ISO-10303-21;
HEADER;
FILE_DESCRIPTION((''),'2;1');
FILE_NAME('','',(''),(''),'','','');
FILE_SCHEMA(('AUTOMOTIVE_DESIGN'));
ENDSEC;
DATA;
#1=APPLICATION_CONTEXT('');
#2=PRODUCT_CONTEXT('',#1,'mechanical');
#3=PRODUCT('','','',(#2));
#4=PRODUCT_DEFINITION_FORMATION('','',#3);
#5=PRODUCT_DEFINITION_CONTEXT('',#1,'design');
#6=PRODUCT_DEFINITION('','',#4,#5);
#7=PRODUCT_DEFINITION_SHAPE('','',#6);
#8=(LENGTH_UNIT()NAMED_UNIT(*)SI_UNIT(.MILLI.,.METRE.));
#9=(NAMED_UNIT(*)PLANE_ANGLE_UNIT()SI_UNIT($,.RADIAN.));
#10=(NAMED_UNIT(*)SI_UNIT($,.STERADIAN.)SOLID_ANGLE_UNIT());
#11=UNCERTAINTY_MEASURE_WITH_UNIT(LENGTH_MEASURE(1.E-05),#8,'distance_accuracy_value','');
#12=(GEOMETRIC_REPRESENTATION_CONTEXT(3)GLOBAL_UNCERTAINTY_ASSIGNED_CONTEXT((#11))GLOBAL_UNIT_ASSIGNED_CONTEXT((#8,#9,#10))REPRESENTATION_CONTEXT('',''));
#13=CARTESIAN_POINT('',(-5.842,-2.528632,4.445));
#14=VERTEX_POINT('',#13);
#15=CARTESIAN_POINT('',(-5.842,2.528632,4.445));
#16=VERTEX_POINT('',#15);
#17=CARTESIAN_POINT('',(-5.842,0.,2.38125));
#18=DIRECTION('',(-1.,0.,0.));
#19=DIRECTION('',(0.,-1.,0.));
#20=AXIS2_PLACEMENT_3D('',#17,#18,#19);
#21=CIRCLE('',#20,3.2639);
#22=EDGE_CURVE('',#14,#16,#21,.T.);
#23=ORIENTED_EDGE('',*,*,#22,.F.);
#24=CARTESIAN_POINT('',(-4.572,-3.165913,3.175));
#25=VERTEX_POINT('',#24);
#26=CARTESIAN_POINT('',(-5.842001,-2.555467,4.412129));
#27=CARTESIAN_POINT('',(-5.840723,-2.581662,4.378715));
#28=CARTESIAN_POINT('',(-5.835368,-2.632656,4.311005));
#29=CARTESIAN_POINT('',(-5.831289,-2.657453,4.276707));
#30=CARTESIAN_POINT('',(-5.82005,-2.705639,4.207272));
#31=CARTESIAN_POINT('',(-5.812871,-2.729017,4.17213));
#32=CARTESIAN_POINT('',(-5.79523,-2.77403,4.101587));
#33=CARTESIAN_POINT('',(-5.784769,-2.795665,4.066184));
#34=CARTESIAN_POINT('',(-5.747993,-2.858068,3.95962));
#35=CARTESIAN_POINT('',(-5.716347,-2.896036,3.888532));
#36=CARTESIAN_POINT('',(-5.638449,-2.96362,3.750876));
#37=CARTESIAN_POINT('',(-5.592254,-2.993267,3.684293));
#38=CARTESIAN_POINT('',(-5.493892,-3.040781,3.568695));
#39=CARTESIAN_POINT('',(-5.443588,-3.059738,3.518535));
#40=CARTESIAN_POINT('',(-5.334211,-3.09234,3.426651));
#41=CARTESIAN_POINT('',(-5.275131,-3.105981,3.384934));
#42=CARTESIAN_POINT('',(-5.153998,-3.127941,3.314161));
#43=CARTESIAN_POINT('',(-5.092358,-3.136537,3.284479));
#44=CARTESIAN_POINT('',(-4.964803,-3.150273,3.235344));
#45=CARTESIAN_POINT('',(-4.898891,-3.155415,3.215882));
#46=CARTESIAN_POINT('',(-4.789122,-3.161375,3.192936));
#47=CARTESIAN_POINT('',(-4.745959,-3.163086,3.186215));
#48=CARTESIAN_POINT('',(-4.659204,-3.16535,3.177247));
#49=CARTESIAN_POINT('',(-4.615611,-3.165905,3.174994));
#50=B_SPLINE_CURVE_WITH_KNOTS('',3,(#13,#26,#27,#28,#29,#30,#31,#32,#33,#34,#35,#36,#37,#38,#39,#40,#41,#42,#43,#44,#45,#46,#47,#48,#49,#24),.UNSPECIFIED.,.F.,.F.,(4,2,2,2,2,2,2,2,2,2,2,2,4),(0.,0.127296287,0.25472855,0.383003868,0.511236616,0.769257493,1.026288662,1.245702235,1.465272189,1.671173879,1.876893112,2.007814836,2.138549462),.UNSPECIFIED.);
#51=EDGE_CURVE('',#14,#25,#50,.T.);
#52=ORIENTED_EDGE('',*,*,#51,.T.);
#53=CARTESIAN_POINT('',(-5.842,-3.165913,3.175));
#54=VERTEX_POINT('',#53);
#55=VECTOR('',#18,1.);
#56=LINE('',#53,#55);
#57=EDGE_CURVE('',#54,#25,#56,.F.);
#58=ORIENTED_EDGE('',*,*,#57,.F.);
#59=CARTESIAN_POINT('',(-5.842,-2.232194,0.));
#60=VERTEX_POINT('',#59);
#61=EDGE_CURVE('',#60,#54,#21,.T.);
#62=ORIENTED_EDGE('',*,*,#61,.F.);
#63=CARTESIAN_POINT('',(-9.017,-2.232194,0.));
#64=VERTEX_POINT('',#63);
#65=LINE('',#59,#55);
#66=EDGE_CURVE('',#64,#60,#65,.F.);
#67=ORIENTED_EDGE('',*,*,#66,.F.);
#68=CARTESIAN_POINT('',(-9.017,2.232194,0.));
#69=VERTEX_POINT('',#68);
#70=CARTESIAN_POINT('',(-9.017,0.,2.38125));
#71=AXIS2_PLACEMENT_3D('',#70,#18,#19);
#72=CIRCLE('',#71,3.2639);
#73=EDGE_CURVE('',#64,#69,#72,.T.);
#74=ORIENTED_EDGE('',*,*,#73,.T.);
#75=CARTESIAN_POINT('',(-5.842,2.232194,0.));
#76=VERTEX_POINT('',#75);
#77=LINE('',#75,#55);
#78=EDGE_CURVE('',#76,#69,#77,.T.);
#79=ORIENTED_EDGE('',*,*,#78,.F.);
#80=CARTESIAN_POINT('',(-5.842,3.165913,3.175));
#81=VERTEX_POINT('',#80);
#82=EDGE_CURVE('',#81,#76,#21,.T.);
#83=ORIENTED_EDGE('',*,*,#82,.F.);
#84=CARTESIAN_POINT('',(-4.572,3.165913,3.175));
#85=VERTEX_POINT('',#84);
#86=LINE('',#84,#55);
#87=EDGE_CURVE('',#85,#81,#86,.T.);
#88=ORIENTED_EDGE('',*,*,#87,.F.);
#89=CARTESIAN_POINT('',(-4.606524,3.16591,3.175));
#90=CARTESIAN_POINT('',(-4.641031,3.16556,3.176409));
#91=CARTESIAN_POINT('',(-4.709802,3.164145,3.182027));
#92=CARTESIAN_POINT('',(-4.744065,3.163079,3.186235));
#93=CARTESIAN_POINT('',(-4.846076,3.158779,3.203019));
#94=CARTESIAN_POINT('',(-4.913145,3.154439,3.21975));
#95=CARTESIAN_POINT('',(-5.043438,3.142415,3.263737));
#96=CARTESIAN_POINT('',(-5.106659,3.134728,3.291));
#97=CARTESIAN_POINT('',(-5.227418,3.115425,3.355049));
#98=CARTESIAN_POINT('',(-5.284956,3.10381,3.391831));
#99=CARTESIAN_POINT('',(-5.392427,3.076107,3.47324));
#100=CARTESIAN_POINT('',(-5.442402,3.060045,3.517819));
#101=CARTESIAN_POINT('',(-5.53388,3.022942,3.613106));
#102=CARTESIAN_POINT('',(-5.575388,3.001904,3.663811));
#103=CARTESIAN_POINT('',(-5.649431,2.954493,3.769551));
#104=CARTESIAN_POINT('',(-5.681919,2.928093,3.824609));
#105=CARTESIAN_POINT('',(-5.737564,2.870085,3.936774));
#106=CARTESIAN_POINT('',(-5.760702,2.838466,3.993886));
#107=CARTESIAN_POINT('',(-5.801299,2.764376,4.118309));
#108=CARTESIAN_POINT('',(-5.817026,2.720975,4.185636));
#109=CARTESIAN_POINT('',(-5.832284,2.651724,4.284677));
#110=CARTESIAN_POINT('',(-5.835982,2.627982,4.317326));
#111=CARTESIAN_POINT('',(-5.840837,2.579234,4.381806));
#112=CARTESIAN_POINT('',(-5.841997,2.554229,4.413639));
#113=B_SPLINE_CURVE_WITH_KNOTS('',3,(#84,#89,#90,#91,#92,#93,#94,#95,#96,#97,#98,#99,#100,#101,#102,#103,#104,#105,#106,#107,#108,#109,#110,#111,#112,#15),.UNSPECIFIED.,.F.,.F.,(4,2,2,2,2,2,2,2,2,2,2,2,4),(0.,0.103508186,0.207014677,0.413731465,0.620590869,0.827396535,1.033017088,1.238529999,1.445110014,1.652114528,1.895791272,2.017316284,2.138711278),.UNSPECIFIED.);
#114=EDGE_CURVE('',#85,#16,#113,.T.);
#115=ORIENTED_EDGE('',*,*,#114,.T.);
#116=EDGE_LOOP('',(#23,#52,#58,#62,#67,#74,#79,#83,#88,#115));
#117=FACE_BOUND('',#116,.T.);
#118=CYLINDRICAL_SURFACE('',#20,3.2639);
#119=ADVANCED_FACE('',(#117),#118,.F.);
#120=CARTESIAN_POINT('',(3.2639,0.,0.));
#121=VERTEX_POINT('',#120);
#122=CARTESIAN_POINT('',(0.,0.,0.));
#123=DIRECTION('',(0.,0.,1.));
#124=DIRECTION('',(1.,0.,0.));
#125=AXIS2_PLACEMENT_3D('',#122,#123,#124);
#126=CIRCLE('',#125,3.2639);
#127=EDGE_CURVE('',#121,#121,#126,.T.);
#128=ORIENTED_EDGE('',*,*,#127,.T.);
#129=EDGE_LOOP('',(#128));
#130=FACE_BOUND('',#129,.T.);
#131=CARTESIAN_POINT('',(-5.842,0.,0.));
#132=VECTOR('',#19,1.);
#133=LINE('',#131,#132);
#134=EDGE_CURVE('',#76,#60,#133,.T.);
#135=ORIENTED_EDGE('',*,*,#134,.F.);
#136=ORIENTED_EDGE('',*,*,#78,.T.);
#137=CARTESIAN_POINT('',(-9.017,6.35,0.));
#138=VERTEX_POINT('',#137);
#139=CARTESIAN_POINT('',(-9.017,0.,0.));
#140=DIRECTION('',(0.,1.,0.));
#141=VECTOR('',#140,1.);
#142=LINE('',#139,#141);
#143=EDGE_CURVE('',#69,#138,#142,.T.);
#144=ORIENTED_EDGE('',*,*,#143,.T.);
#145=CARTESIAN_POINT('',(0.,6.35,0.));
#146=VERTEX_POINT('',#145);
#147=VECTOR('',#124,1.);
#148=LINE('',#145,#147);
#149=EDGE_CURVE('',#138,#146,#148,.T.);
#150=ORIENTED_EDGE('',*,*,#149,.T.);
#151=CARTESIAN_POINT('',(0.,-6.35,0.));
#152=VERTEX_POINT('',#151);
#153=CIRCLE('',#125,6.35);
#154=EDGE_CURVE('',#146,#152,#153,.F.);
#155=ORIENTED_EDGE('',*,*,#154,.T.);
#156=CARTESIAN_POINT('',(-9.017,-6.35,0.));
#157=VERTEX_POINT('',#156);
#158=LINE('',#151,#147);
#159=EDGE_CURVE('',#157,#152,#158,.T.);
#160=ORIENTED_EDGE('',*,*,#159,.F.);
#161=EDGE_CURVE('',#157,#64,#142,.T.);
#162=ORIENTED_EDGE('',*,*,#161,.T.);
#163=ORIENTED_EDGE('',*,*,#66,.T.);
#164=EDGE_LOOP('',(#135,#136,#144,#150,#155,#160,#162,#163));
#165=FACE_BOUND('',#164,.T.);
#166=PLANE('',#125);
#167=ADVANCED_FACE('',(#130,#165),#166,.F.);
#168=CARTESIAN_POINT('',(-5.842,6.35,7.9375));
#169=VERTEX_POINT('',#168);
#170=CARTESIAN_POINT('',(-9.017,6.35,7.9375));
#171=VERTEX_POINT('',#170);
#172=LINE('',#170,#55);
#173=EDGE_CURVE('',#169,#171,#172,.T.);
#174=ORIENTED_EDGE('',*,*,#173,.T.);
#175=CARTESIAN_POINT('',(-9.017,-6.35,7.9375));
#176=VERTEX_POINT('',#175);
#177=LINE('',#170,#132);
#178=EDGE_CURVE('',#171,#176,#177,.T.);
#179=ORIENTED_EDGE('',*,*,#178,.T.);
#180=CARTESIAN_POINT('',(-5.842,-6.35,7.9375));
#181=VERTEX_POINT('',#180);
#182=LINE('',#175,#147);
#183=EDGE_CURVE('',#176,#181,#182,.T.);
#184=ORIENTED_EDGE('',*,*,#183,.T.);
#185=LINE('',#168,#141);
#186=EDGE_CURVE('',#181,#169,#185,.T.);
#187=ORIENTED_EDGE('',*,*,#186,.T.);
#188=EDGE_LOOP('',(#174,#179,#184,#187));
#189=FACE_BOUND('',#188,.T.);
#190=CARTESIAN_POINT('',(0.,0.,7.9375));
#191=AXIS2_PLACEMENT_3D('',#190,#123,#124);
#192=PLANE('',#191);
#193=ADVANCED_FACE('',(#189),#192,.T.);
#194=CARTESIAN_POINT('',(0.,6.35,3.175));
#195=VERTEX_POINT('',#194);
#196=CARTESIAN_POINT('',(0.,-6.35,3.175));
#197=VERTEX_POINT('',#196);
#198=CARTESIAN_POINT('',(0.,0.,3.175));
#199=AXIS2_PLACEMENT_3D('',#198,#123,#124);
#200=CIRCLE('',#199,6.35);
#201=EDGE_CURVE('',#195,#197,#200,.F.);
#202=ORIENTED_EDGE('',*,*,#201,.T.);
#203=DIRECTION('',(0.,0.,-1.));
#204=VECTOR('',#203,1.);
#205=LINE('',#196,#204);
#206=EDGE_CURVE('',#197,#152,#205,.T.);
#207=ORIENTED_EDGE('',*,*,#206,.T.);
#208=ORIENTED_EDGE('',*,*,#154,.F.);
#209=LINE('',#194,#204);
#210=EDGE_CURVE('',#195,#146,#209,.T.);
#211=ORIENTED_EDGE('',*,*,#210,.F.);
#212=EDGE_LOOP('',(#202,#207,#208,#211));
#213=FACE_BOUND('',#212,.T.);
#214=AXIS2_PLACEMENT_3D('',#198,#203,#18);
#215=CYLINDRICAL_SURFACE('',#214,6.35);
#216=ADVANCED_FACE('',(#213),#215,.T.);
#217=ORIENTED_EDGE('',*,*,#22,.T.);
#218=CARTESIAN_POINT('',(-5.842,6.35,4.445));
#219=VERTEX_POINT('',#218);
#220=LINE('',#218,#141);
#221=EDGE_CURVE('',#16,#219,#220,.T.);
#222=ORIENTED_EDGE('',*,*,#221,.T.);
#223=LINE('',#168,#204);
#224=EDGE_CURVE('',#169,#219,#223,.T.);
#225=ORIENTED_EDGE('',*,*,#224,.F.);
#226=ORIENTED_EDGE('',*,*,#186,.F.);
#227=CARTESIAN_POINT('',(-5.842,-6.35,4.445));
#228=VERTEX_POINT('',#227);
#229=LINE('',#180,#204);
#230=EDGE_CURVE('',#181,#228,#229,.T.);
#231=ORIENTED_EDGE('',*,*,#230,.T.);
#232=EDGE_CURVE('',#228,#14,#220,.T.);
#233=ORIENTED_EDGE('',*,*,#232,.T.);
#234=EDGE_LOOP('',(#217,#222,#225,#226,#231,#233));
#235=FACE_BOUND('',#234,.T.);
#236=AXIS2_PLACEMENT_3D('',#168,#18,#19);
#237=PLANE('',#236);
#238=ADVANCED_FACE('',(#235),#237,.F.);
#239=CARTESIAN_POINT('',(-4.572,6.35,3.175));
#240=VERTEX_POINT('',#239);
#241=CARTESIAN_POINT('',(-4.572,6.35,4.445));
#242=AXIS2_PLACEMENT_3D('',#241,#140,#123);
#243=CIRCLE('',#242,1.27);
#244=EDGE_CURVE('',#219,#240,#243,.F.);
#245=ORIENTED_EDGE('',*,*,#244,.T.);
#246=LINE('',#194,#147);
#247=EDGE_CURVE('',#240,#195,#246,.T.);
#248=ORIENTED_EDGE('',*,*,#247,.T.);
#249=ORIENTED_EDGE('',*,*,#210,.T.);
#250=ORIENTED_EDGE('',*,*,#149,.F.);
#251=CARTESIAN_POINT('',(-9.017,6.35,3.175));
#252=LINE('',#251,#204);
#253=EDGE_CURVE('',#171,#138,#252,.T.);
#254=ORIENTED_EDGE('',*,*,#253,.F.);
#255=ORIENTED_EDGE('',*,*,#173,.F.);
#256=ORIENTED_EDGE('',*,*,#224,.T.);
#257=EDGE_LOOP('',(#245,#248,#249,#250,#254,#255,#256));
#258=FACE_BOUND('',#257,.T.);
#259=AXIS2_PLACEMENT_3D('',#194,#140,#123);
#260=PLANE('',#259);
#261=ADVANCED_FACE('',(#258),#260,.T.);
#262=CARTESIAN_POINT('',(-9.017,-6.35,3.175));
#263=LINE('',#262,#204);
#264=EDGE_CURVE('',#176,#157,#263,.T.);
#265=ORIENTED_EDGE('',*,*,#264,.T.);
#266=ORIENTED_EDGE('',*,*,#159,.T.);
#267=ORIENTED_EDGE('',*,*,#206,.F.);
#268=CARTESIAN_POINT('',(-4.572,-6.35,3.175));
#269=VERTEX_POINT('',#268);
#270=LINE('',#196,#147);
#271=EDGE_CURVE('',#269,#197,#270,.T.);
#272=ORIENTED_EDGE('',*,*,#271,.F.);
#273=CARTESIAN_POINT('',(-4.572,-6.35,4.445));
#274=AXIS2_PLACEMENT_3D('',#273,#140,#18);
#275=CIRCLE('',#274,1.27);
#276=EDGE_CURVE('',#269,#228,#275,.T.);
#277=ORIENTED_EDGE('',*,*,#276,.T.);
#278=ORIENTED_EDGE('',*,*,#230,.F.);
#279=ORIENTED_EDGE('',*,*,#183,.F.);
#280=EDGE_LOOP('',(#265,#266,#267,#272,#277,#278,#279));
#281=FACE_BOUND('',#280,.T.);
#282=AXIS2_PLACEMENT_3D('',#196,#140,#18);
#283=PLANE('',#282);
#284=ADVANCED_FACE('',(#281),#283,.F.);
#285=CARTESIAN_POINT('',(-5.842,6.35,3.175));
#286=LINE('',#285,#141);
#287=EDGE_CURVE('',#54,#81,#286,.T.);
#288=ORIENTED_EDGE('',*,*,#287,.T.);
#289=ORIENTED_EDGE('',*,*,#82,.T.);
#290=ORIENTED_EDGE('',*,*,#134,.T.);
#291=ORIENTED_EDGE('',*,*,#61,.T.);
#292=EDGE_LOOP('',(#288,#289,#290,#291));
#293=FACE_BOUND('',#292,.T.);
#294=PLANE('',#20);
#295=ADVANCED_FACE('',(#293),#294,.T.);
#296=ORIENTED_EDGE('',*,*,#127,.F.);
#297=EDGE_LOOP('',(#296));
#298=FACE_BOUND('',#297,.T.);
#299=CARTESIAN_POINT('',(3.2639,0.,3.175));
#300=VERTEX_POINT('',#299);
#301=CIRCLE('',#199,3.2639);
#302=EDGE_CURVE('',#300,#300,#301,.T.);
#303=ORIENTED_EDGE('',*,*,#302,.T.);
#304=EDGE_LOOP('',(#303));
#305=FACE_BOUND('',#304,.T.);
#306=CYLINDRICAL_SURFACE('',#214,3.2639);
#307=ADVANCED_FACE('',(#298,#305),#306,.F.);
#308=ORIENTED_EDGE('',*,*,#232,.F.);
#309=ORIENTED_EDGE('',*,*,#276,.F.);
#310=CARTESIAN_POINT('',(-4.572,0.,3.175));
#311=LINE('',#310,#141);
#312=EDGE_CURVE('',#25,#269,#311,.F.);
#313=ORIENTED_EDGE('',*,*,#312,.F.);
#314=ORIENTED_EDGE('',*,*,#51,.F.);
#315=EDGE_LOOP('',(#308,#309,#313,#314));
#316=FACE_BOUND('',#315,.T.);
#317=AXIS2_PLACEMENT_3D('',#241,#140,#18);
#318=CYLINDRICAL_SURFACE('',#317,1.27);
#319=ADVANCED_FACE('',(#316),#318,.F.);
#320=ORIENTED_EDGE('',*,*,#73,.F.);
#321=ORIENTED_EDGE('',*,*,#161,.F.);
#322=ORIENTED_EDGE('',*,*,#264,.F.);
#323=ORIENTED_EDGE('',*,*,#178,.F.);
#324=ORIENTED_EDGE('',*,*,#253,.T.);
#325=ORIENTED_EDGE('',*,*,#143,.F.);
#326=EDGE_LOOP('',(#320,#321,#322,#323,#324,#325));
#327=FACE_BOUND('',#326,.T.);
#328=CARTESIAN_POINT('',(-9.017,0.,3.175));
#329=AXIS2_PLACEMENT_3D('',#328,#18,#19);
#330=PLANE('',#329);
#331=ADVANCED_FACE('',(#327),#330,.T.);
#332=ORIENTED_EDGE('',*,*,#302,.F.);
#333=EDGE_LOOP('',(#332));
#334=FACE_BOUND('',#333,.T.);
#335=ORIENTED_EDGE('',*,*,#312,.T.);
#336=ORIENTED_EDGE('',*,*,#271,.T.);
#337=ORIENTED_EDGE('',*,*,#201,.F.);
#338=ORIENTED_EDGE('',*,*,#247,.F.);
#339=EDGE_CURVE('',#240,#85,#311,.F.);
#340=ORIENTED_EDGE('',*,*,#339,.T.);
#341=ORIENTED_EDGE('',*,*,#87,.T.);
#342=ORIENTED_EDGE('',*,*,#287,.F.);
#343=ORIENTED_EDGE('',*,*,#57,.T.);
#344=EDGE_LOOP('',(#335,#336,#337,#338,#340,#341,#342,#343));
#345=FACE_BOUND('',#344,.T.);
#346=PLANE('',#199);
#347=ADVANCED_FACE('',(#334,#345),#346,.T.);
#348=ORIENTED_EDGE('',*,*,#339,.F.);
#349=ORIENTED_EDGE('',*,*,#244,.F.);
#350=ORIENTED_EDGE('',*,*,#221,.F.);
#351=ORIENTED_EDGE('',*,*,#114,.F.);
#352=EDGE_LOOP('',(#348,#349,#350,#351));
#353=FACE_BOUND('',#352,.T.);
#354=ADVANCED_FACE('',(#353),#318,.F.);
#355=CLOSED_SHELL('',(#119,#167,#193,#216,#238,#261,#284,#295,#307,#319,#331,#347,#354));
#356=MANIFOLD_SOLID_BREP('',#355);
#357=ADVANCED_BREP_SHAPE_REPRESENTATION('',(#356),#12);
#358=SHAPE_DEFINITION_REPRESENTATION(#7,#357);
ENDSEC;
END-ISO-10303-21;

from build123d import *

# Parameters (mm, degrees)
SKETCH1_R           = 3.2639
BOSS_EXTRUDE1_DEPTH = 3.175
SKETCH2_W           = 3.175
SKETCH2_H           = 12.7
BOSS_EXTRUDE2_DEPTH = 4.7625
SKETCH3_R           = 3.2639
CUT_EXTRUDE1_DEPTH  = 3.175
FILLET2_R           = 1.27


with BuildPart() as part:
    # Sketch1 → Boss-Extrude1 (new body)
    with BuildSketch(Plane.XY):
        with BuildLine():
            ThreePointArc((0, 6.35), (6.35, 0), (0, -6.35))
            Line((0, -6.35), (-9.017, -6.35))
            Line((-9.017, -6.35), (-9.017, 6.35))
            Line((-9.017, 6.35), (0, 6.35))
        make_face()
        Circle(SKETCH1_R, mode=Mode.SUBTRACT)
    extrude(amount=BOSS_EXTRUDE1_DEPTH)

    # Sketch2 → Boss-Extrude2 (add)
    with BuildSketch(Plane.XY.offset(3.175)):
        with Locations((-7.4295, 0)):
            Rectangle(SKETCH2_W, SKETCH2_H)
    extrude(amount=BOSS_EXTRUDE2_DEPTH)

    # Sketch3 → Cut-Extrude1 (cut)
    with BuildSketch(Plane.ZY.offset(9.017)):
        with Locations((2.38125, 0)):
            Circle(SKETCH3_R)
    extrude(amount=-CUT_EXTRUDE1_DEPTH, mode=Mode.SUBTRACT)

    # Fillet2
    fillet2_edges = [part.edges().sort_by_distance(p)[0] for p in [
        (-5.842, -4.757956423, 3.175),
        (-5.842, 4.757956423, 3.175),
    ]]
    fillet(fillet2_edges, radius=FILLET2_R)


solid = part.part
